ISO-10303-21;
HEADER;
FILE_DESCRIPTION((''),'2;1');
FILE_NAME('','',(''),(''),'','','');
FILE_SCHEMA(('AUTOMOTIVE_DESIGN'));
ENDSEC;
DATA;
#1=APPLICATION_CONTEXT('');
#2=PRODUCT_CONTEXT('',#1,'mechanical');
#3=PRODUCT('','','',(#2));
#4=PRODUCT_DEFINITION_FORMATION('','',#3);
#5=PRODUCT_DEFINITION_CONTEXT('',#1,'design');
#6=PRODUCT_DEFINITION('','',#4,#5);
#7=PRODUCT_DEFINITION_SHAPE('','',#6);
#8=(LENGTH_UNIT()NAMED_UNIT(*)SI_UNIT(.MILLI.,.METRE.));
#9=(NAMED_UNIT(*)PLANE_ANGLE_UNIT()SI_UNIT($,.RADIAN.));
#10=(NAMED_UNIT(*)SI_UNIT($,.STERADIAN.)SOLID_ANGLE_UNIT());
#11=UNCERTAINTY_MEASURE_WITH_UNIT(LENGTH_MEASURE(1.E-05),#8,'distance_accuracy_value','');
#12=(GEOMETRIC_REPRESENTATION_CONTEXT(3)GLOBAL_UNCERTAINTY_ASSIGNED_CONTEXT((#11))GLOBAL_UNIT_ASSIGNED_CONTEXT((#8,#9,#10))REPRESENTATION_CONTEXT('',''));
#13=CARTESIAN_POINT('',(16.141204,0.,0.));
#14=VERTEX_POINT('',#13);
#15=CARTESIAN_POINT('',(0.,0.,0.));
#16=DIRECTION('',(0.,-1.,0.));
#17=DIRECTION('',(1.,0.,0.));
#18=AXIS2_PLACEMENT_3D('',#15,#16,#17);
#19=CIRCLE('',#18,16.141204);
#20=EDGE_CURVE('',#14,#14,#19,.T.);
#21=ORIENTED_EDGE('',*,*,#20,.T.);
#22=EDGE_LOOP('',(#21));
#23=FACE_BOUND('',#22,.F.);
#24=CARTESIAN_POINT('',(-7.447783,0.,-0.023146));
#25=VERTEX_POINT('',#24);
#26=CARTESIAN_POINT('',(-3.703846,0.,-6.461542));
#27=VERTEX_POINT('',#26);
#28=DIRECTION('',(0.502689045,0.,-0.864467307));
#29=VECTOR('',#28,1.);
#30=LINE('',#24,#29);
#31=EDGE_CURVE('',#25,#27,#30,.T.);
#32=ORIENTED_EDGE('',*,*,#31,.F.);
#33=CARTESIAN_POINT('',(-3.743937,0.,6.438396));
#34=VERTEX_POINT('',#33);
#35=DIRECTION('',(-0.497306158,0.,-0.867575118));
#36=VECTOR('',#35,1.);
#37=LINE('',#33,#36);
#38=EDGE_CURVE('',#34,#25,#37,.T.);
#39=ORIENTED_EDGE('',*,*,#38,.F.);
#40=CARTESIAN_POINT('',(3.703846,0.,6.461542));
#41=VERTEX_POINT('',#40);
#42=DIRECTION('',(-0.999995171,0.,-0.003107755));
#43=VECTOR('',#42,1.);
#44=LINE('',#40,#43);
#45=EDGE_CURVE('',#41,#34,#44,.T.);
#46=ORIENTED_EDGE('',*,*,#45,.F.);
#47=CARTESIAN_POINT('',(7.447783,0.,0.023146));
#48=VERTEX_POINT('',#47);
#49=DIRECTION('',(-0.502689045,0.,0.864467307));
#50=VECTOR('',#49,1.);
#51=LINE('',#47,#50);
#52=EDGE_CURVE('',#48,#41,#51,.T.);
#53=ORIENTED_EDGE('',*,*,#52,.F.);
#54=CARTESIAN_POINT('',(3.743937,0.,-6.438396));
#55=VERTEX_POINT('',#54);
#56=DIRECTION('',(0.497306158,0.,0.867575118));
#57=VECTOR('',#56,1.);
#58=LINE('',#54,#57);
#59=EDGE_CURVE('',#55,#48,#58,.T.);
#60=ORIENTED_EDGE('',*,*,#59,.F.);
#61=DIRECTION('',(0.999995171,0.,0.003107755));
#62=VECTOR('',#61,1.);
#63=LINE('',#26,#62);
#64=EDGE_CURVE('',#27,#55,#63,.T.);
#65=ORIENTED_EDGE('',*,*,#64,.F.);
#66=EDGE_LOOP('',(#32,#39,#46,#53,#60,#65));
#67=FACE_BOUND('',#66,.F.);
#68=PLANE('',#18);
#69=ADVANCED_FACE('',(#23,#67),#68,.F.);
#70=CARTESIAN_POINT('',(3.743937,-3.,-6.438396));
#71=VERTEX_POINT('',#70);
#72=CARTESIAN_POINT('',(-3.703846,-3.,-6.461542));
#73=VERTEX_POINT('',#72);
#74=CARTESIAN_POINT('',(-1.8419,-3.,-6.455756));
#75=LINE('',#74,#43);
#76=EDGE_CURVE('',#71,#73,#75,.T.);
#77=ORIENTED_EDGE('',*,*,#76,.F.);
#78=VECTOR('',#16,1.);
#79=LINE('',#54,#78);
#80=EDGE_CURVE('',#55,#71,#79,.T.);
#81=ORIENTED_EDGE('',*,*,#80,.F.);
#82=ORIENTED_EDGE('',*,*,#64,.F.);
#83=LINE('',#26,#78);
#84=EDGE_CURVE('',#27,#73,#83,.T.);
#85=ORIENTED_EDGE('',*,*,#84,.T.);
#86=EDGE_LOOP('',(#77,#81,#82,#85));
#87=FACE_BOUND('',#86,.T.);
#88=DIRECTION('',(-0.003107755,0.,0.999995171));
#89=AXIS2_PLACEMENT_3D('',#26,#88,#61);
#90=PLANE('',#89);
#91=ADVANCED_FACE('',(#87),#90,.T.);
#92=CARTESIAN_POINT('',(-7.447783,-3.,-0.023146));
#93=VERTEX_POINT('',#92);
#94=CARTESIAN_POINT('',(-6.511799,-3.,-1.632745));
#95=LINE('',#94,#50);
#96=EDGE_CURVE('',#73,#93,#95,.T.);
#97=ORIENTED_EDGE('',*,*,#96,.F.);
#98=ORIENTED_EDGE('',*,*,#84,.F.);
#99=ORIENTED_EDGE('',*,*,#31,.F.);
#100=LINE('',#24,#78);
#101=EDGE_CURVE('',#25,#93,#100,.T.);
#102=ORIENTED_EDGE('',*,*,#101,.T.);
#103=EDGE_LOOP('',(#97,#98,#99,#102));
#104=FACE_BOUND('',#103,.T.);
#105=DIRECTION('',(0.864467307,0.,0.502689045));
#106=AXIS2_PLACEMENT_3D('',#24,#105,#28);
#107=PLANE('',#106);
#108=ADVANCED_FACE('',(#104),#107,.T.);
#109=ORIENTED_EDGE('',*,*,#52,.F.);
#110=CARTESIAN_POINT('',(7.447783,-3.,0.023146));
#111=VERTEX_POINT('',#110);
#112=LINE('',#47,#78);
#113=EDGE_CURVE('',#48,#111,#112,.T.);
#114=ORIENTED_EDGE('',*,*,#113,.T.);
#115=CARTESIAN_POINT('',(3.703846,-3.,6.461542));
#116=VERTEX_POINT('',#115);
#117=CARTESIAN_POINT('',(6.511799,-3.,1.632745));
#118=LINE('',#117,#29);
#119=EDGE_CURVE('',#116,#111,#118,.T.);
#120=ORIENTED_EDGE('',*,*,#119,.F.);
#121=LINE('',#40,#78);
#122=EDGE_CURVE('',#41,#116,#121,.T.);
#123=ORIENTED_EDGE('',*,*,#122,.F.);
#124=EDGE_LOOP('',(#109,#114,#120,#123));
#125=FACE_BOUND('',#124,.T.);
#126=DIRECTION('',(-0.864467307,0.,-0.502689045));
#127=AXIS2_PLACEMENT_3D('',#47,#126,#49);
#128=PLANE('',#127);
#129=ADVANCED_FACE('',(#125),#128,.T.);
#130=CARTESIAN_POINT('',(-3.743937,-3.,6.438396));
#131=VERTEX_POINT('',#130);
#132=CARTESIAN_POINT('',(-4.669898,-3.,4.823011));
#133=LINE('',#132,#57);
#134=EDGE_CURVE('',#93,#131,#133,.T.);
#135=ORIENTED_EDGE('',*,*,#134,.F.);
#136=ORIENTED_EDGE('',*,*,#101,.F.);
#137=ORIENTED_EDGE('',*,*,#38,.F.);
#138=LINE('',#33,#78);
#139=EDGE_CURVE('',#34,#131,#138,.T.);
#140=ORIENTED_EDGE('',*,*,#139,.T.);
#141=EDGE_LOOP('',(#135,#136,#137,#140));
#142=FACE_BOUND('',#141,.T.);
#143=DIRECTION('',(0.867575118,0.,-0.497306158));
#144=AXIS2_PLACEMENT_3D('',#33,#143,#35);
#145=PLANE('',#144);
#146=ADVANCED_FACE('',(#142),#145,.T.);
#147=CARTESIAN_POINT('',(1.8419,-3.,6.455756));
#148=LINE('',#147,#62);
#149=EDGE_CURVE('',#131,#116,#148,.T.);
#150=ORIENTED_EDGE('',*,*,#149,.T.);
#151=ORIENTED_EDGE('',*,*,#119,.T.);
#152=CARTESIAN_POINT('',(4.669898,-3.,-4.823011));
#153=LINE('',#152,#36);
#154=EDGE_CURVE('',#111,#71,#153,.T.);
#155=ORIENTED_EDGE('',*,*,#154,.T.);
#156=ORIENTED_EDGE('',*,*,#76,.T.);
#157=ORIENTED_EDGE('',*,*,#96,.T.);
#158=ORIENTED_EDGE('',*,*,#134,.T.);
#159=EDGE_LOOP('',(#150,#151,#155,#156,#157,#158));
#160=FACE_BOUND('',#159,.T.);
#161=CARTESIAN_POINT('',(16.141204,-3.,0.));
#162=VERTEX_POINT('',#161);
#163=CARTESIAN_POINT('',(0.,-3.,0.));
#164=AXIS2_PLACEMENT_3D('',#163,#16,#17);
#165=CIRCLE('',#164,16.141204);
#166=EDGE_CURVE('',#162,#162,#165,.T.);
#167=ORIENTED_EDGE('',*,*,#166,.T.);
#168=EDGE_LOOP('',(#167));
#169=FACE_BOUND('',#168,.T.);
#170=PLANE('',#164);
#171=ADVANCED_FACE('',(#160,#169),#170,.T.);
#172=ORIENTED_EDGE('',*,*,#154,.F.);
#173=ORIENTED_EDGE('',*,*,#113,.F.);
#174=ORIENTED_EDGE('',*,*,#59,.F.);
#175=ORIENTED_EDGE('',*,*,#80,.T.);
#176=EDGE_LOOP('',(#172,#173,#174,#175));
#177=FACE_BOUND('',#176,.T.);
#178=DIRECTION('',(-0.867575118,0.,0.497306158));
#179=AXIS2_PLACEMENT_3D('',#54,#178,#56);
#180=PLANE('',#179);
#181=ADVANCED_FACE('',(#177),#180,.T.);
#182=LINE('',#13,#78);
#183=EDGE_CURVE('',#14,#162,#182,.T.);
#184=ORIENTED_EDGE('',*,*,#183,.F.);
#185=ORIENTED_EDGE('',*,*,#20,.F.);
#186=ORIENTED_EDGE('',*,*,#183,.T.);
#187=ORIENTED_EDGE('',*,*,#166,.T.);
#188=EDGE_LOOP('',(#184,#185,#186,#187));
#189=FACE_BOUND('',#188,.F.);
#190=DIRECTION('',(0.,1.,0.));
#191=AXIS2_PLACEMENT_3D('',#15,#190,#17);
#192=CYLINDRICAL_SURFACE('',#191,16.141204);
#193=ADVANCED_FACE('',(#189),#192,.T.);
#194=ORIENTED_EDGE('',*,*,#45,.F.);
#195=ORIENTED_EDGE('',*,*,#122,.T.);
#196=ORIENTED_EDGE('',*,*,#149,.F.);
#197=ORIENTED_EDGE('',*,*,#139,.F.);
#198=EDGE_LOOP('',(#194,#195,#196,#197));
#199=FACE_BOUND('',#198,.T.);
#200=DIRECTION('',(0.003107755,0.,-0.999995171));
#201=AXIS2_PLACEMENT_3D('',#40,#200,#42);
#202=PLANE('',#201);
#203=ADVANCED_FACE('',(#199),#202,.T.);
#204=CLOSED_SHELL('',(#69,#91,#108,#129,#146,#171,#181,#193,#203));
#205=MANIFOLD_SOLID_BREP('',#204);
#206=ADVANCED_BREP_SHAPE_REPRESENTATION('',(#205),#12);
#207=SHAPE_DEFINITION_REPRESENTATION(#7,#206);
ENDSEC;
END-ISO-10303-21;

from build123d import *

# Parameters (mm, degrees)
F1_R     = 16.141204
F2_DEPTH = 3
F3_DEPTH = 25


with BuildPart() as f2:
    # F1 (on Front) → F2 (new body)
    with BuildSketch(Plane.XZ):
        Circle(F1_R)
    extrude(amount=F2_DEPTH)

    # F0 (on Front) → F3 (cut)
    with BuildSketch(Plane.XZ):
        Polygon((3.743937, -6.438396), (7.447783, 0.023146), (3.703846, 6.461542), (-3.743937, 6.438396), (-7.447783, -0.023146), (-3.703846, -6.461542), align=None)
    extrude(amount=F3_DEPTH, mode=Mode.SUBTRACT)


solid = f2.part
